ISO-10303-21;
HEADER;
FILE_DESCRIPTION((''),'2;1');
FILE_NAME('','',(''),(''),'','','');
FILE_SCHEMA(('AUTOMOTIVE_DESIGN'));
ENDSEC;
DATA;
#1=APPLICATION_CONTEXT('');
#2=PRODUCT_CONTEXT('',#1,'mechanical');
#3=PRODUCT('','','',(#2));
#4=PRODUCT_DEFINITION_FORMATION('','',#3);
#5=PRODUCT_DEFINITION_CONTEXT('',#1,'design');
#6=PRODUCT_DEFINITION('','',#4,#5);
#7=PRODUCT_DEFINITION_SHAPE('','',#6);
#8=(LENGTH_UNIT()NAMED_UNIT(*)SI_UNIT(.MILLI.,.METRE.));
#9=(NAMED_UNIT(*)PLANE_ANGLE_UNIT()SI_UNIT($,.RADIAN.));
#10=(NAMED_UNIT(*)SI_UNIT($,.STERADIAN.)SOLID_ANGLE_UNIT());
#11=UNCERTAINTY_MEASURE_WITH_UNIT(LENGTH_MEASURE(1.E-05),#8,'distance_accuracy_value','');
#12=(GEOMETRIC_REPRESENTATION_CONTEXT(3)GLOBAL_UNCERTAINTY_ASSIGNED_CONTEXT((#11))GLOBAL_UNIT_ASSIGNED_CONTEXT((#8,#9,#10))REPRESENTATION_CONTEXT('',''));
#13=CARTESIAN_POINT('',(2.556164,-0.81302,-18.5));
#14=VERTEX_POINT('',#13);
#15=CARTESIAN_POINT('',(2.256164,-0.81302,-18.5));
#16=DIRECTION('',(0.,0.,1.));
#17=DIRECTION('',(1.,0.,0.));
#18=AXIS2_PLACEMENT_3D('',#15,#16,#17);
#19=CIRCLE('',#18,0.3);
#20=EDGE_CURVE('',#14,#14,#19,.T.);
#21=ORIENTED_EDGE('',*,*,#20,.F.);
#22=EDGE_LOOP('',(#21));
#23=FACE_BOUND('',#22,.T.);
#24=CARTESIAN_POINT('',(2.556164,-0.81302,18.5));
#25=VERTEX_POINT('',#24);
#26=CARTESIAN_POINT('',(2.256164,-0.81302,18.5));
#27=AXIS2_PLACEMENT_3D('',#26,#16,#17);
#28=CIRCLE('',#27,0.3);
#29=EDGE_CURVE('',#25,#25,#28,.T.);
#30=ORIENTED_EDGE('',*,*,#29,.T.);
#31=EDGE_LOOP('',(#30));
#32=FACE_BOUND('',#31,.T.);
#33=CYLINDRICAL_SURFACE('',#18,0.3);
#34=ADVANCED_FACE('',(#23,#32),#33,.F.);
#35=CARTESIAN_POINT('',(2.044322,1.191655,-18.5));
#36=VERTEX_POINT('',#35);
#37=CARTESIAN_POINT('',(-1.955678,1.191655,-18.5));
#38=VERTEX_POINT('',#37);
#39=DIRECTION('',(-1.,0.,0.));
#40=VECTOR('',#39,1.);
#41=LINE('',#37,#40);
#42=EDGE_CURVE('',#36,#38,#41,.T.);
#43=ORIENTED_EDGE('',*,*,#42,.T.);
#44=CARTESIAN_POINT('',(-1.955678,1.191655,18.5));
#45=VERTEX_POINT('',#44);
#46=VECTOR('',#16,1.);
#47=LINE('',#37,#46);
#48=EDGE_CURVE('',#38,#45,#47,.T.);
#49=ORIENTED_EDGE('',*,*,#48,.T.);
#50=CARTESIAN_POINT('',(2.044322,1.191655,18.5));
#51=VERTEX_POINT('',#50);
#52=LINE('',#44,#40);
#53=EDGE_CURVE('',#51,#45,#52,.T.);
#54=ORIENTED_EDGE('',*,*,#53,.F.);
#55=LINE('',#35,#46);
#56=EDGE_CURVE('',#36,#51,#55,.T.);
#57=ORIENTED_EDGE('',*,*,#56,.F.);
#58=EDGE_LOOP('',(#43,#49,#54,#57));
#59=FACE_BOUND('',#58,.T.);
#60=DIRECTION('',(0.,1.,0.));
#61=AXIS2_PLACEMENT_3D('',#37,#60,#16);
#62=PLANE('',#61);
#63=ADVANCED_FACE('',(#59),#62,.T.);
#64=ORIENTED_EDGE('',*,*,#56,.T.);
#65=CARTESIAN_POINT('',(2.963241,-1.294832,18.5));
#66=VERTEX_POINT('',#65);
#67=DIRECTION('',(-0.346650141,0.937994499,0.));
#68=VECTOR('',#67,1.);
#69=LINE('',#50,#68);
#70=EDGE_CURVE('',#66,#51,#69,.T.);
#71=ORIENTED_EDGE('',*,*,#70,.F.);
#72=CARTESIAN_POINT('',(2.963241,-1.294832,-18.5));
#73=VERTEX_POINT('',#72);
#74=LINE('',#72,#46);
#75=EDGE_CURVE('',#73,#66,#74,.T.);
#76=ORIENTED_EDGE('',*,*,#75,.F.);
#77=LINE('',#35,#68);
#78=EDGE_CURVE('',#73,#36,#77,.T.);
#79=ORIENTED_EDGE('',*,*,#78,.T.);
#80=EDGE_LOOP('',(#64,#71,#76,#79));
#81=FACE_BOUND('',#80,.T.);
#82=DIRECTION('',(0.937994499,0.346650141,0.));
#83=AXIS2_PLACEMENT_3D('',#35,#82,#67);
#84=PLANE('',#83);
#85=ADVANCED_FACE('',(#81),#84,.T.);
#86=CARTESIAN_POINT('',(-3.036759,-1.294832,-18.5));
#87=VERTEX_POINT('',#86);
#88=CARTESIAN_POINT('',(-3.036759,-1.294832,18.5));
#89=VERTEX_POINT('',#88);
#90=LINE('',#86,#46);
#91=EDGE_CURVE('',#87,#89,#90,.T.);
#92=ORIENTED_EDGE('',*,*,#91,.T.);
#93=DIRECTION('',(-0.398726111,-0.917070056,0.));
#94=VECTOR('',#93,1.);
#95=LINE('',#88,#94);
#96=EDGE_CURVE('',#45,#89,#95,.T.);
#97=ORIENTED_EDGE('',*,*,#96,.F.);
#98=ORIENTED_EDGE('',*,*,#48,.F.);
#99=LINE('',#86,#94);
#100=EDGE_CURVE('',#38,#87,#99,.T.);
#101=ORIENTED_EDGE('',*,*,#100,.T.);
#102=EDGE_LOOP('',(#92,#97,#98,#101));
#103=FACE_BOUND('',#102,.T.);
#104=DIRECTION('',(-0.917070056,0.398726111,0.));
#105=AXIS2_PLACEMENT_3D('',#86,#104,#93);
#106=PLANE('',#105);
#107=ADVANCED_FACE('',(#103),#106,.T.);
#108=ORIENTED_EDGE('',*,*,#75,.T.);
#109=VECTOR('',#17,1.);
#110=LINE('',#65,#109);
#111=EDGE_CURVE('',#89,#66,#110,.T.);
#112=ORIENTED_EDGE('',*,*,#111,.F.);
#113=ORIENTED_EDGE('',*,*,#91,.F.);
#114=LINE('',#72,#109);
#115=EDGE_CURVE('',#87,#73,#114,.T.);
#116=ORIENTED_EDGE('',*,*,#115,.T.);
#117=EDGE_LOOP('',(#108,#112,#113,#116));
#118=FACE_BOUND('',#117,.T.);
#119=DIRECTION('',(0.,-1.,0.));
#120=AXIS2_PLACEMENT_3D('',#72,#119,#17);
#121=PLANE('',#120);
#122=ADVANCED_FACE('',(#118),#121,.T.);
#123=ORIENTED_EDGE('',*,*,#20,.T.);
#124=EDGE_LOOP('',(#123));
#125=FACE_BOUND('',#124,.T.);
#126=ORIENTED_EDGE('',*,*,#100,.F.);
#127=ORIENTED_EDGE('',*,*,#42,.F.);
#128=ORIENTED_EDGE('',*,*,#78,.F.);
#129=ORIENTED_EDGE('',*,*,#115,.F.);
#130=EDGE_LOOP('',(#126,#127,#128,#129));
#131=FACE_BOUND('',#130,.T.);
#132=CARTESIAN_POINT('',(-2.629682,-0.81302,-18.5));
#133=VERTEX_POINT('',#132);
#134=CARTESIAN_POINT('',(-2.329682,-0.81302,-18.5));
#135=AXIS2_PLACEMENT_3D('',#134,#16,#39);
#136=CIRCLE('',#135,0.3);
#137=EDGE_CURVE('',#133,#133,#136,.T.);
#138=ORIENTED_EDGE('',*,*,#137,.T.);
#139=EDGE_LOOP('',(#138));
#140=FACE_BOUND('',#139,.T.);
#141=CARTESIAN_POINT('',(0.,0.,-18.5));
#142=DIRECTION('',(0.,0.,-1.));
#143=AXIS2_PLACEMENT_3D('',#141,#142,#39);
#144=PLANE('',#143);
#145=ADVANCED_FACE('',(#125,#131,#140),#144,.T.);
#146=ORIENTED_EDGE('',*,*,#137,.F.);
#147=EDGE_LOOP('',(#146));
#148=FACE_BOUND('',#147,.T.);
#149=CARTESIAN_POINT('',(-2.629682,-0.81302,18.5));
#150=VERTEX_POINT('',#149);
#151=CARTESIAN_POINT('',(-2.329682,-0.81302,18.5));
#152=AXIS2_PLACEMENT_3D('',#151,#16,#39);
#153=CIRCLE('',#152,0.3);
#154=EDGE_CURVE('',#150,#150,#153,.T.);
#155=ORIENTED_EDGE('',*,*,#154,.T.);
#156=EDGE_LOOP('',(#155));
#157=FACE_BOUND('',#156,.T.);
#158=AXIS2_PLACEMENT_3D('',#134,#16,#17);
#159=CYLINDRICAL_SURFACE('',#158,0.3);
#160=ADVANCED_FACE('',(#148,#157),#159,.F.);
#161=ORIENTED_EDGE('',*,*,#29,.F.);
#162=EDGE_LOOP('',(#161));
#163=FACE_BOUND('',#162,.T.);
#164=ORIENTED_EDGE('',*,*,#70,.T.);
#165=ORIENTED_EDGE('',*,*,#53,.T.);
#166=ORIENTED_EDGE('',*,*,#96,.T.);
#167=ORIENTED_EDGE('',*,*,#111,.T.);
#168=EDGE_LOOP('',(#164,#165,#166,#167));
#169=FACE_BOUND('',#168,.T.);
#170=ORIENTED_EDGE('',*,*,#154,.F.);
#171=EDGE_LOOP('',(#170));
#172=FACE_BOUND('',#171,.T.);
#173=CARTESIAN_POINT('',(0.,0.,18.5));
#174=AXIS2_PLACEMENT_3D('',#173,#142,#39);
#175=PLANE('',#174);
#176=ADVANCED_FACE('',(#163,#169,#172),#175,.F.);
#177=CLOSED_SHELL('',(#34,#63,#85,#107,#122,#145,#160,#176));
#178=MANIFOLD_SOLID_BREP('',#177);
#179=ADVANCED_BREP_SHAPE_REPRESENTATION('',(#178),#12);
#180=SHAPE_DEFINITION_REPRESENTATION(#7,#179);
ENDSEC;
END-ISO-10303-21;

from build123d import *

# Parameters (mm, degrees)
BOSS_EXTRUDE1_DEPTH      = 18.5
BOSS_EXTRUDE1_DEPTH_BACK = 18.5
SKETCH1_R                = 0.3


with BuildPart() as part:
    # Sketch1 → Boss-Extrude1 (new, two sides: drawn at the far end of the back side and taken through both)
    with BuildSketch(Plane.XY.offset(-BOSS_EXTRUDE1_DEPTH_BACK)):
        Polygon((-1.955677856, 1.191654646), (2.044322144, 1.191654646), (2.963241063, -1.294831841), (-3.036758937, -1.294831841), align=None)
        with Locations((2.256164177, -0.813020011)):
            Circle(SKETCH1_R, mode=Mode.SUBTRACT)
        with Locations((-2.329682051, -0.813020011)):
            Circle(SKETCH1_R, mode=Mode.SUBTRACT)
    extrude(amount=BOSS_EXTRUDE1_DEPTH + BOSS_EXTRUDE1_DEPTH_BACK)


solid = part.part
